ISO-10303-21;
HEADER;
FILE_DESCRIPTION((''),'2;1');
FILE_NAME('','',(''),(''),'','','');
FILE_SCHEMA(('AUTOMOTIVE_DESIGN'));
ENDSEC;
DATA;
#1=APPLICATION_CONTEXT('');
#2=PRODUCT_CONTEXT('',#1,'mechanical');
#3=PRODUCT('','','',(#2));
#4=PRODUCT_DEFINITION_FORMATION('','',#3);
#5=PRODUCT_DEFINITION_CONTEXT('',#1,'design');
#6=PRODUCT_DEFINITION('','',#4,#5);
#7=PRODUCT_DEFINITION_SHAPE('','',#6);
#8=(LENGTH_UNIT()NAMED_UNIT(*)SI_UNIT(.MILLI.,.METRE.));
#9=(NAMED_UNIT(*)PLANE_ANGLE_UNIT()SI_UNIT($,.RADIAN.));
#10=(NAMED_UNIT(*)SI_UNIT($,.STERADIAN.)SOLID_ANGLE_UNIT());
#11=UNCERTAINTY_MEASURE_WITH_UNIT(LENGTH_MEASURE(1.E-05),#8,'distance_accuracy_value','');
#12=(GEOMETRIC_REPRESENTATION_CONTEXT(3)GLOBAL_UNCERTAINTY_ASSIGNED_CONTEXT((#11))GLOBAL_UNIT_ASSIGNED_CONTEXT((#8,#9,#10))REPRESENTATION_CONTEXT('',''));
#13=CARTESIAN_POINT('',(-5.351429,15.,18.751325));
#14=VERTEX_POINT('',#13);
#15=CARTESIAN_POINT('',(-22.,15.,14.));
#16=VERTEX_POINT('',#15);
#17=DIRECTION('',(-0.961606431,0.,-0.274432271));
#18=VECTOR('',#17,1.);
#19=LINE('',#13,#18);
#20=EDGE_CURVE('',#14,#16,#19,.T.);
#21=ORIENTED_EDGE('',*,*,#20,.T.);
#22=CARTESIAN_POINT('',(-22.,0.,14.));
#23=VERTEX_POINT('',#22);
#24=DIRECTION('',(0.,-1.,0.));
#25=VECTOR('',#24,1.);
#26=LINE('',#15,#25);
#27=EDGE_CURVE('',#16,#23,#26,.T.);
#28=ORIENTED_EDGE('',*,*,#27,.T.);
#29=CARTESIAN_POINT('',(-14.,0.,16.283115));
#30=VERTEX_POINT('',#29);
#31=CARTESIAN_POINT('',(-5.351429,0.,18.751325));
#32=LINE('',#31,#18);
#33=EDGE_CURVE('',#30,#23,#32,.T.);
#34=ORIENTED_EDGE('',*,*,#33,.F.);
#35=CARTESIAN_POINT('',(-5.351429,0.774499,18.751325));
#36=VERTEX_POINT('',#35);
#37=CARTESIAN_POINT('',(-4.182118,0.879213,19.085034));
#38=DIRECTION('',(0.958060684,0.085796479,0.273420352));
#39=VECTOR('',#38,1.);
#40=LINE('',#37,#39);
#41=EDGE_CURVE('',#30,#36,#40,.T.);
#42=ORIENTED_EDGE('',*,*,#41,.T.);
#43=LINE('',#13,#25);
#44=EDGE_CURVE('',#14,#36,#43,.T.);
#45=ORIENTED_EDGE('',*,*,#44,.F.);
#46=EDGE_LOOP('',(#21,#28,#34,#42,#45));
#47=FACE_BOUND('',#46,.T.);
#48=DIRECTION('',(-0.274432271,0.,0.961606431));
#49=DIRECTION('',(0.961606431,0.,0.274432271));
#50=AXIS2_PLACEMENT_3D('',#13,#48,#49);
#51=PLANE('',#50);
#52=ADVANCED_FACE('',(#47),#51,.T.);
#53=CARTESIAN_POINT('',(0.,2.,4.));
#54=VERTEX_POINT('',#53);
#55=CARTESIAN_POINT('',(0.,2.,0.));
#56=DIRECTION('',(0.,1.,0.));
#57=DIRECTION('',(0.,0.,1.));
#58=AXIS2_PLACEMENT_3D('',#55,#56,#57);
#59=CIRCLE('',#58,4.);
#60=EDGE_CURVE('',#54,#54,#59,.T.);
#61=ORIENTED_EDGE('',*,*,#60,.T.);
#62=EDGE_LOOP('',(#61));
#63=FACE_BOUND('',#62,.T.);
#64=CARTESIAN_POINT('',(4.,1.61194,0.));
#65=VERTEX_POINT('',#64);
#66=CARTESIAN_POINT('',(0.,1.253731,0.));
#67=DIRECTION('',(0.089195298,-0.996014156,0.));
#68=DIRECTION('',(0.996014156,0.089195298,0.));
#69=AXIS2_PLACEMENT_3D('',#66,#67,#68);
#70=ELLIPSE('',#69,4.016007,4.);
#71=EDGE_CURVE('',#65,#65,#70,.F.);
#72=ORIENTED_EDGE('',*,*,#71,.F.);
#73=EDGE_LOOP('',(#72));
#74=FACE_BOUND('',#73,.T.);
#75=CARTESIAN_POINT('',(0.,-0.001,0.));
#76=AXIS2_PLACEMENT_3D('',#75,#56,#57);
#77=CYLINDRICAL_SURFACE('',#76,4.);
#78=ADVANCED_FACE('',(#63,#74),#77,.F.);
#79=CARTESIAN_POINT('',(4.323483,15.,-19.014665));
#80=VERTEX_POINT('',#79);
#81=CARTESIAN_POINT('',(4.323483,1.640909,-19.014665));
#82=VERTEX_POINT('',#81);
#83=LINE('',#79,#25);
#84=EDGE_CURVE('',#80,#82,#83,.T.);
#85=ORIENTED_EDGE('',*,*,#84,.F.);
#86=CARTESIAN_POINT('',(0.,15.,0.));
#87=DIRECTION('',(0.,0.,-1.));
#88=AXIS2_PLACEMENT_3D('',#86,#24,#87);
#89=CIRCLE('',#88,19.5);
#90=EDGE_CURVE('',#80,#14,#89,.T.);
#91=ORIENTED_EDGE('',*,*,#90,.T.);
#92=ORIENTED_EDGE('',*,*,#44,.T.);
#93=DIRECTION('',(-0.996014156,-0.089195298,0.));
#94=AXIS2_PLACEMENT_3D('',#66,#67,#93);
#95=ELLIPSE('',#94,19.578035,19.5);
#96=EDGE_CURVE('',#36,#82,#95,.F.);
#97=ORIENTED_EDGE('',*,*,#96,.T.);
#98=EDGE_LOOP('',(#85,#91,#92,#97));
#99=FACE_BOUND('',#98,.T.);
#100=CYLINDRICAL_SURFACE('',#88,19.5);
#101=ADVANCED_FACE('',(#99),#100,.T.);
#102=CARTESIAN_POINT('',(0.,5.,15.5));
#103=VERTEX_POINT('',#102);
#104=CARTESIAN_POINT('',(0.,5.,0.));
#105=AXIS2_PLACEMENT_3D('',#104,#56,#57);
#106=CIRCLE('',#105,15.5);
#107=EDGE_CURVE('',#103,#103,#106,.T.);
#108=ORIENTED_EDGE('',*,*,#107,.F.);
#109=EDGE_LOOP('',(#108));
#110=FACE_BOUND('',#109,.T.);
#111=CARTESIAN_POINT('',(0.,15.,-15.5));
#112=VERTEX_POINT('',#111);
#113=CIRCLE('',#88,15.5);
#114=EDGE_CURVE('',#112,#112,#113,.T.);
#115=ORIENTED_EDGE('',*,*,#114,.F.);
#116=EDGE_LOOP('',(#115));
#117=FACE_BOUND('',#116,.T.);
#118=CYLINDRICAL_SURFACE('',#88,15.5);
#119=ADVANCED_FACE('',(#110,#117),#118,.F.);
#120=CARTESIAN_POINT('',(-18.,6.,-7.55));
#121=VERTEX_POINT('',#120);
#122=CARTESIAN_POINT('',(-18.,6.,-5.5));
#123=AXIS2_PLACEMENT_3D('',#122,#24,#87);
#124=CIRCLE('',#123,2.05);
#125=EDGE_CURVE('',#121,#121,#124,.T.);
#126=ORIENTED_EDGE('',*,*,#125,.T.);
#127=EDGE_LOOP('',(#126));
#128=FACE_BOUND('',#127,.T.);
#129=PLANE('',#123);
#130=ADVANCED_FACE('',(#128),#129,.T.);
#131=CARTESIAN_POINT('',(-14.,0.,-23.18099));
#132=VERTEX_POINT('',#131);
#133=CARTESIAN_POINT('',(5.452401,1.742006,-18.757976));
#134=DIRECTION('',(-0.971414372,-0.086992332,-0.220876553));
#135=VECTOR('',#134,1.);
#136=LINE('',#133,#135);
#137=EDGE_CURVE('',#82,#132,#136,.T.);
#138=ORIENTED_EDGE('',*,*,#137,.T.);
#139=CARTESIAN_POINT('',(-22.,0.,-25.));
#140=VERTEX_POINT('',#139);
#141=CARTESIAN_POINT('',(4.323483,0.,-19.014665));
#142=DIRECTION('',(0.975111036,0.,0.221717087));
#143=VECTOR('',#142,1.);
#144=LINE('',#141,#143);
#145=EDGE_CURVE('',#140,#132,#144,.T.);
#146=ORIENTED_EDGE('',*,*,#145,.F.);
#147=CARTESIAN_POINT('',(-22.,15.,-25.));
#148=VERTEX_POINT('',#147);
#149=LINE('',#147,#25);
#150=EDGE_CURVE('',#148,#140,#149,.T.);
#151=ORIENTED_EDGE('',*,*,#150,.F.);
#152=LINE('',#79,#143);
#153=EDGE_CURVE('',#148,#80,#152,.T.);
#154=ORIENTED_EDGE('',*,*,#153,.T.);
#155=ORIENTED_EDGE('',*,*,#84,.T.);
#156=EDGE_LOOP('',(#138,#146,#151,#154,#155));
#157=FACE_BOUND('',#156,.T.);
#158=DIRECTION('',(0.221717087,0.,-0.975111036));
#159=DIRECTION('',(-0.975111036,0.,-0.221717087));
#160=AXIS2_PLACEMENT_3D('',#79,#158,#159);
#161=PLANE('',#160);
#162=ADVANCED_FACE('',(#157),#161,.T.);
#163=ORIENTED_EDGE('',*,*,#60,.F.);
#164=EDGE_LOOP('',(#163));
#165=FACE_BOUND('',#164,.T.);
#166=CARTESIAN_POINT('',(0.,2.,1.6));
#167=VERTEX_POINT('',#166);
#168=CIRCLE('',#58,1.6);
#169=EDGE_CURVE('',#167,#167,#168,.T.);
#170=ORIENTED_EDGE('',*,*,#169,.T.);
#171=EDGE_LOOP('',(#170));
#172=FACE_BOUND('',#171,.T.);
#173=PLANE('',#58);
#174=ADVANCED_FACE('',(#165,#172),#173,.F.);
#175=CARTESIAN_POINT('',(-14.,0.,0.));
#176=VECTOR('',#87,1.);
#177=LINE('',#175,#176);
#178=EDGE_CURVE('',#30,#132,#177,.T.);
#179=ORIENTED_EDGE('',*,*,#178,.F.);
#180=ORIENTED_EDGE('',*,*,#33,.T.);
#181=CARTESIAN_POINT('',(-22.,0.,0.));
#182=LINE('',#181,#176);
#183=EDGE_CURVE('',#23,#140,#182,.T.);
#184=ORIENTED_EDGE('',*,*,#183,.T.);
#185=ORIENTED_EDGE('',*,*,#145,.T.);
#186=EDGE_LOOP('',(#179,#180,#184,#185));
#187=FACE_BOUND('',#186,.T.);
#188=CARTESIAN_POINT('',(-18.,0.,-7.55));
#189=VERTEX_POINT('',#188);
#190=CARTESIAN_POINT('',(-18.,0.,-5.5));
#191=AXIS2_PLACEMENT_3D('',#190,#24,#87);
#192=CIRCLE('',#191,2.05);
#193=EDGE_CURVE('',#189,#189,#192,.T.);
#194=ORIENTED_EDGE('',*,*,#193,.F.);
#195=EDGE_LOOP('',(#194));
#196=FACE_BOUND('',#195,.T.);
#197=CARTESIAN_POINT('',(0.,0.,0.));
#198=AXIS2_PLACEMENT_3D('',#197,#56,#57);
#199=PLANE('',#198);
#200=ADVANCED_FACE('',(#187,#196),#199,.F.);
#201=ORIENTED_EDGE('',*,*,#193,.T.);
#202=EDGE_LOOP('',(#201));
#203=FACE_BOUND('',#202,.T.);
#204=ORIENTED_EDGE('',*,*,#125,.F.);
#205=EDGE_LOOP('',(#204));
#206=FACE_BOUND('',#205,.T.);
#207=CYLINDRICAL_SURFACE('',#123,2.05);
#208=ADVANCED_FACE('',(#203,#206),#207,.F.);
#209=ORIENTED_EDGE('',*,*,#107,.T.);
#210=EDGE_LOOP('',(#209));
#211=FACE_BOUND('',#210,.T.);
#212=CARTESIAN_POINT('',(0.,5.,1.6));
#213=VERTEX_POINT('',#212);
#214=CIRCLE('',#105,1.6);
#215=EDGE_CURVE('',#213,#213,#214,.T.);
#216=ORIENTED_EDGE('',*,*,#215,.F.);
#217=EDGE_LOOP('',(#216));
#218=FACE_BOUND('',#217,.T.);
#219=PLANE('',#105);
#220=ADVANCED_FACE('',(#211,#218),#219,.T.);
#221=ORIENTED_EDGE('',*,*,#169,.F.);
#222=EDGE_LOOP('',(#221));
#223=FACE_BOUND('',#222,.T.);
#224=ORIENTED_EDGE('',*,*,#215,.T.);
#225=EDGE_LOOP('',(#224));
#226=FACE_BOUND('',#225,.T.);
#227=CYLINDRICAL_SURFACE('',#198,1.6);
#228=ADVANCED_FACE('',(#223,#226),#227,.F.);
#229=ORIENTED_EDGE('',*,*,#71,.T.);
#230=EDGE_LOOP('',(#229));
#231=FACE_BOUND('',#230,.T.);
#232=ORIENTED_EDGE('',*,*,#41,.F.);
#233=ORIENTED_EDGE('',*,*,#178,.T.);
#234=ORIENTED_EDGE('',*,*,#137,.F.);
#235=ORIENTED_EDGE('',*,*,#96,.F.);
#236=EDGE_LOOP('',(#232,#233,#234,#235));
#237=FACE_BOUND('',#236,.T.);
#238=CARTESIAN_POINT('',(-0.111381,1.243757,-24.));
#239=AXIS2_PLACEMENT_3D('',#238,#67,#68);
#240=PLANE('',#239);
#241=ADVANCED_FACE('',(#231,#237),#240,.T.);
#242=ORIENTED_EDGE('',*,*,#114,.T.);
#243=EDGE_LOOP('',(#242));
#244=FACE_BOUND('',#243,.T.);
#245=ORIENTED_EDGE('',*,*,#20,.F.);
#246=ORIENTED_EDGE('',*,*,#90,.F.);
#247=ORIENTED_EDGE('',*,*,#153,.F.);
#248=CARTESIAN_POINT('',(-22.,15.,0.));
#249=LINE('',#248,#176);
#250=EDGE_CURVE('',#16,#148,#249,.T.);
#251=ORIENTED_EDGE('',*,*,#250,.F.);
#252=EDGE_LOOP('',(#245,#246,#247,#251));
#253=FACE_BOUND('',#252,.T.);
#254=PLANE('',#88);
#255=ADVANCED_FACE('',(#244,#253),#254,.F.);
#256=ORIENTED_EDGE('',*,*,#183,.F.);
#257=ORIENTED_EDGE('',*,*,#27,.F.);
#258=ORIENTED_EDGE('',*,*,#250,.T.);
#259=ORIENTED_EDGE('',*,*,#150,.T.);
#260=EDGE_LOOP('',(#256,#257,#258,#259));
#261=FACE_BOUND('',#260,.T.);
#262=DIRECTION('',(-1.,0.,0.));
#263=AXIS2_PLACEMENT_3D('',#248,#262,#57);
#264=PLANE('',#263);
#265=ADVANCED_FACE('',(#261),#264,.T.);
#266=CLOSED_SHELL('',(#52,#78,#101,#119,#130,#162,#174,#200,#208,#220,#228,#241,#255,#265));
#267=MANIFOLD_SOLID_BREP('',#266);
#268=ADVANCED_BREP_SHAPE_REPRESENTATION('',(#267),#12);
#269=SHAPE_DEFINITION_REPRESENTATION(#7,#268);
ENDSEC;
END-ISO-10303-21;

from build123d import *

# Parameters (mm, degrees)
SKETCH1_R               = 15.5
BOSS_EXTRUDE1_DEPTH     = 5
SKETCH2_R               = 15.5
BOSS_EXTRUDE2_DEPTH     = 15
CUT_EXTRUDE7_DEPTH      = 20.5
CUT_EXTRUDE7_DEPTH_BACK = 26
SKETCH18_R              = 1.6
CUT_EXTRUDE8_DEPTH      = 6
SKETCH19_R              = 2.05
CUT_EXTRUDE9_DEPTH      = 6
CUT_EXTRUDE10_REACH     = 4
SKETCH20_R              = 4


with BuildPart() as part:
    # Sketch1 → Boss-Extrude1 (new body)
    with BuildSketch(Plane(origin=(0, 0, 0), x_dir=(1, 0, 0), z_dir=(0, 1, 0))):
        Circle(SKETCH1_R)
    extrude(amount=BOSS_EXTRUDE1_DEPTH)

    # Sketch2 → Boss-Extrude2 (add)
    with BuildSketch(Plane.XZ):
        with BuildLine():
            Line((-22, -25), (4.323483194, -19.014665211))
            ThreePointArc((4.323483194, -19.014665211), (18.889988887, 4.839247858), (-5.351429285, 18.751325409))
            Line((-5.351429285, 18.751325409), (-22, 14))
            Line((-22, 14), (-22, -25))
        make_face()
        Circle(SKETCH2_R, mode=Mode.SUBTRACT)
    extrude(amount=-BOSS_EXTRUDE2_DEPTH)

    # Sketch17 → Cut-Extrude7 (cut, two sides)
    with BuildSketch(Plane.XY) as cut_extrude7_sk:
        Polygon((19.5, 0), (-14, 0), (19.5, 3), align=None)
    extrude(amount=CUT_EXTRUDE7_DEPTH, mode=Mode.SUBTRACT)
    extrude(cut_extrude7_sk.sketch, amount=-CUT_EXTRUDE7_DEPTH_BACK, mode=Mode.SUBTRACT)

    # Sketch18 → Cut-Extrude8 (cut, through all)
    with BuildSketch(Plane(origin=(0, 5, 0), x_dir=(1, 0, 0), z_dir=(0, 1, 0))):
        Circle(SKETCH18_R)
    extrude(amount=-CUT_EXTRUDE8_DEPTH, mode=Mode.SUBTRACT)

    # Sketch19 → Cut-Extrude9 (cut)
    with BuildSketch(Plane.XZ):
        with Locations((-18, -5.5)):
            Circle(SKETCH19_R)
    extrude(amount=-CUT_EXTRUDE9_DEPTH, mode=Mode.SUBTRACT)

    # Sketch20 → Cut-Extrude10 (cut, up to next)
    with BuildSketch(Plane(origin=(0, 2, 0), x_dir=(1, 0, 0), z_dir=(0, 1, 0)), mode=Mode.PRIVATE) as cut_extrude10_sk1:
        Circle(SKETCH20_R)
    cut_extrude10_tool1 = extrude(cut_extrude10_sk1.sketch, amount=-CUT_EXTRUDE10_REACH, mode=Mode.PRIVATE) & part.part
    add(cut_extrude10_tool1.solids().sort_by_distance((0, 2, 0))[0], mode=Mode.SUBTRACT)


solid = part.part
